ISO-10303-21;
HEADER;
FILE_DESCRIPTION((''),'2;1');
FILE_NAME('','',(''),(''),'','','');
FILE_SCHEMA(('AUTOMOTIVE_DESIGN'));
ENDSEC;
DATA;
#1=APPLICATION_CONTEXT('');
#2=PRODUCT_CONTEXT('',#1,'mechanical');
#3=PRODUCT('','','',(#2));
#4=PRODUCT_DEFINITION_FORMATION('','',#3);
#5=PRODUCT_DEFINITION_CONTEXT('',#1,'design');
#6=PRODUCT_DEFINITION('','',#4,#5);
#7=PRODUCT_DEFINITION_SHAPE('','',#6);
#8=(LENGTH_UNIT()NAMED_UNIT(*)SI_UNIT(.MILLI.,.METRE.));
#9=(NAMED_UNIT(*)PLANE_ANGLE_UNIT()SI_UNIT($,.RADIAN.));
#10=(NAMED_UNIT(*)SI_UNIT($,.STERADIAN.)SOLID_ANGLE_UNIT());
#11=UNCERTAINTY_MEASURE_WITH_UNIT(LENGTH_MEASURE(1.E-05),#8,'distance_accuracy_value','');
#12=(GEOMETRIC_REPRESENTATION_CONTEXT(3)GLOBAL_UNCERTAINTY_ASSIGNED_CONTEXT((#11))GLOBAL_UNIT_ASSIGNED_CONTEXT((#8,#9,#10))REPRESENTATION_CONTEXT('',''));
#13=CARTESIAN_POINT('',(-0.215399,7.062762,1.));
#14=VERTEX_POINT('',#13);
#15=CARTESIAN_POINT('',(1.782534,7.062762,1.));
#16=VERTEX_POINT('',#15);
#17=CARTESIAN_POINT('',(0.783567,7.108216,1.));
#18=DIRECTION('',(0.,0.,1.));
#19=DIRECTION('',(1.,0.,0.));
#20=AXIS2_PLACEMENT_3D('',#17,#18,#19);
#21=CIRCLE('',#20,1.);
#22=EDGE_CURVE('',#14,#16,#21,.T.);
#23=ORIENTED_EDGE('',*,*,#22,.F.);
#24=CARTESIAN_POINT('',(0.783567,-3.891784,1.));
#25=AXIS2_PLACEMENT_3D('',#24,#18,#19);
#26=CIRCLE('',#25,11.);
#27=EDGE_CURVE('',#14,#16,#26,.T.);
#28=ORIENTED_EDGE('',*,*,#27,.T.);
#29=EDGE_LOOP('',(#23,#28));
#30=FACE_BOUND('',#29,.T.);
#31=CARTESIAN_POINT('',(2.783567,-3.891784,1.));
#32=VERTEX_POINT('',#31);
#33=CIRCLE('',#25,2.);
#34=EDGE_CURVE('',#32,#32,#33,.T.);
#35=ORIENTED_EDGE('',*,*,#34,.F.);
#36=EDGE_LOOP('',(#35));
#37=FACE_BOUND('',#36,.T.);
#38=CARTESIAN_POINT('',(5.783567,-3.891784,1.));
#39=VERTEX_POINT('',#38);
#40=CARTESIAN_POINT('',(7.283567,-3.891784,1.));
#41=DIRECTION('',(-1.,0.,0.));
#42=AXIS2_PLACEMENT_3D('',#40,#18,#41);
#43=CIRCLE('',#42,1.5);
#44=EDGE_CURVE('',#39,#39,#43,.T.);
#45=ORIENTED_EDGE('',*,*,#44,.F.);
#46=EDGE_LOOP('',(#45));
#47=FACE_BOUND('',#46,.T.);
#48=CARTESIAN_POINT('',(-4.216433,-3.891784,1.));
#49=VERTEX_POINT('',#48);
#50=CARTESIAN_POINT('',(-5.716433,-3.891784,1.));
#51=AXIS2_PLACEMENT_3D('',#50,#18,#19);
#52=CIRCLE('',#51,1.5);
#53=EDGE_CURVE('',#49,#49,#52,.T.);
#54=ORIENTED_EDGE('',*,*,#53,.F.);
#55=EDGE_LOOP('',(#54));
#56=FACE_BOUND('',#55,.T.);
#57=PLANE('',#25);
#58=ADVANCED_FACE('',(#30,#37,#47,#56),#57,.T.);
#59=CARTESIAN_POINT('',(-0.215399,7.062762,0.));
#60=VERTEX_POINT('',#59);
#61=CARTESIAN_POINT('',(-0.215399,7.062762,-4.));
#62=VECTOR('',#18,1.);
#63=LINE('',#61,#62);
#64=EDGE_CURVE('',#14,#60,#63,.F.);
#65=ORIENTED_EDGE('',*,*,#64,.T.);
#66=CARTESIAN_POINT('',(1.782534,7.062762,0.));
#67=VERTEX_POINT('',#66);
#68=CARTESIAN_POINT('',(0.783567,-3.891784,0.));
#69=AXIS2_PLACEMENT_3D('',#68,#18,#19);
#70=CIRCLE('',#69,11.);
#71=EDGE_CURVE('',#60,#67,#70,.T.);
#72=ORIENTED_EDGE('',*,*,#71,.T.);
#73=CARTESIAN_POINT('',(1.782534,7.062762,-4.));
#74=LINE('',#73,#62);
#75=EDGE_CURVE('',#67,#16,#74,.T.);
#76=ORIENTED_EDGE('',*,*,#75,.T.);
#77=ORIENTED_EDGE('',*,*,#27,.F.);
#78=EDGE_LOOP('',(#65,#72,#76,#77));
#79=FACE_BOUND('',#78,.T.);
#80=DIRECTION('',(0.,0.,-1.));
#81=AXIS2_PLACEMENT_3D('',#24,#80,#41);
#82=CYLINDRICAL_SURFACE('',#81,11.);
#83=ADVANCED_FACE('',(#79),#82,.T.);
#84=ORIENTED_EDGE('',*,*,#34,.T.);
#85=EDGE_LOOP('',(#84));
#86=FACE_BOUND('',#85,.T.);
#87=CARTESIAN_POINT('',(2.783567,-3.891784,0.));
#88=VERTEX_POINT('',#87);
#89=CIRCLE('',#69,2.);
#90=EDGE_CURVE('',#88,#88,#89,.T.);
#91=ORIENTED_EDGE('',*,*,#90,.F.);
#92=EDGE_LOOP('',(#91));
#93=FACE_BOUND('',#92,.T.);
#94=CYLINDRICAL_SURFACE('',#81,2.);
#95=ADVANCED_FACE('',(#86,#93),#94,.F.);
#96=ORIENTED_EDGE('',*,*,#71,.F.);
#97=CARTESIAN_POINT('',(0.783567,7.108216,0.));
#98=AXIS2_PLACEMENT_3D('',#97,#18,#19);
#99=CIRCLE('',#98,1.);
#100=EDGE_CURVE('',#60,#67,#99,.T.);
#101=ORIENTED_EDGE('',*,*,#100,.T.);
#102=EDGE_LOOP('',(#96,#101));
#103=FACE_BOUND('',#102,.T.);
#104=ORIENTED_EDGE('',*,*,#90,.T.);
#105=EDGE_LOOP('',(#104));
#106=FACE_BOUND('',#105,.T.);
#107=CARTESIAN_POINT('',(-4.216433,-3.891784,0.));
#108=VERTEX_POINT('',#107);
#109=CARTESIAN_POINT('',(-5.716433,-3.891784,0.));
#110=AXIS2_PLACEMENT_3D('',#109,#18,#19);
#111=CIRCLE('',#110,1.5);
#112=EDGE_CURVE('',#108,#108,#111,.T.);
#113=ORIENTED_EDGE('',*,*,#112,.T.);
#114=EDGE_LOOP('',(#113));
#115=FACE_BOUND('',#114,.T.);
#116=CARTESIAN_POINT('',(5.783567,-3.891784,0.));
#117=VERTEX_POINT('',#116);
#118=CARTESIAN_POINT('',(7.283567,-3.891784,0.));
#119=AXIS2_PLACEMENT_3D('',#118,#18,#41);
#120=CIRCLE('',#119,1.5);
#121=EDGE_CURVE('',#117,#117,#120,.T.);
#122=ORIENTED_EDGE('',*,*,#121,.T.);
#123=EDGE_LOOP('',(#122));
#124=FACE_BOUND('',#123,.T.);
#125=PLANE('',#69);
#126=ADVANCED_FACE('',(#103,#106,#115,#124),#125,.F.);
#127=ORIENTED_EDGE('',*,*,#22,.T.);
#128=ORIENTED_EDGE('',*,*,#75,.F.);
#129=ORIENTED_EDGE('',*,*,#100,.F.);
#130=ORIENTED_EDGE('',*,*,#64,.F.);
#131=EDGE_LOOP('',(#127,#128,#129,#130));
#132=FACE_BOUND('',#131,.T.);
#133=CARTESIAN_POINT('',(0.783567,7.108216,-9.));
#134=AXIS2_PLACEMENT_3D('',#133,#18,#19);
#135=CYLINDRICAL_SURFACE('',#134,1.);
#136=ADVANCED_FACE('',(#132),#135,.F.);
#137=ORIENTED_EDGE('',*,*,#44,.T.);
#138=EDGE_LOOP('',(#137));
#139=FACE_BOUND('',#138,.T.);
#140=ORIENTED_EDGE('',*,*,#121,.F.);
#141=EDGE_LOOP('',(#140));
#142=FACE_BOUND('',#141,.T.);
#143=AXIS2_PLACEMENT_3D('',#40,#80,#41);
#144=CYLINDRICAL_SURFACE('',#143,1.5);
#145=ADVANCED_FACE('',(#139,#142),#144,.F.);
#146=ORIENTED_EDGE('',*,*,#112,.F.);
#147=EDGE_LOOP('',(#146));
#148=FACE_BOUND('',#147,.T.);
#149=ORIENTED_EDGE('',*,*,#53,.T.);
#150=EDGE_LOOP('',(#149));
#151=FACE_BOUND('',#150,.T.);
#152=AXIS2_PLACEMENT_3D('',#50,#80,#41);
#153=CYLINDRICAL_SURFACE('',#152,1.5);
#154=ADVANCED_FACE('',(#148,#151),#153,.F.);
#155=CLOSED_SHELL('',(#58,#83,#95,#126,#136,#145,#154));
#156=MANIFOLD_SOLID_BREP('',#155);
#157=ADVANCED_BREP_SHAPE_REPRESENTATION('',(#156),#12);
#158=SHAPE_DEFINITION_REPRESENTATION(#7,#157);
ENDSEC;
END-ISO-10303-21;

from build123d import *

# Parameters (mm, degrees)
SKETCH_1_R          = 11
SKETCH_1_R_2        = 1.5
SKETCH_1_R_3        = 2
EXTRUDE_1_DEPTH     = 1
SKETCH_2_R          = 1
CUT_EXTRUDE_1_DEPTH = 10


with BuildPart() as part:
    # 草图1 → 凸台-拉伸1 (new body)
    with BuildSketch(Plane.XY):
        with Locations((0.783567134, -3.891783567)):
            Circle(SKETCH_1_R)
        with Locations((-5.716432866, -3.891783567)):
            Circle(SKETCH_1_R_2, mode=Mode.SUBTRACT)
        with Locations(Location((7.283567134, -3.891783567, 0), (0, 0, 180))):
            Circle(SKETCH_1_R_2, mode=Mode.SUBTRACT)
        with Locations((0.783567134, -3.891783567)):
            Circle(SKETCH_1_R_3, mode=Mode.SUBTRACT)
    extrude(amount=EXTRUDE_1_DEPTH)

    # 草图2 → 切除-拉伸1 (cut)
    with BuildSketch(Plane.XY.offset(1)):
        with Locations((0.783567134, 7.108216433)):
            Circle(SKETCH_2_R)
    extrude(amount=-CUT_EXTRUDE_1_DEPTH, mode=Mode.SUBTRACT)


solid = part.part
